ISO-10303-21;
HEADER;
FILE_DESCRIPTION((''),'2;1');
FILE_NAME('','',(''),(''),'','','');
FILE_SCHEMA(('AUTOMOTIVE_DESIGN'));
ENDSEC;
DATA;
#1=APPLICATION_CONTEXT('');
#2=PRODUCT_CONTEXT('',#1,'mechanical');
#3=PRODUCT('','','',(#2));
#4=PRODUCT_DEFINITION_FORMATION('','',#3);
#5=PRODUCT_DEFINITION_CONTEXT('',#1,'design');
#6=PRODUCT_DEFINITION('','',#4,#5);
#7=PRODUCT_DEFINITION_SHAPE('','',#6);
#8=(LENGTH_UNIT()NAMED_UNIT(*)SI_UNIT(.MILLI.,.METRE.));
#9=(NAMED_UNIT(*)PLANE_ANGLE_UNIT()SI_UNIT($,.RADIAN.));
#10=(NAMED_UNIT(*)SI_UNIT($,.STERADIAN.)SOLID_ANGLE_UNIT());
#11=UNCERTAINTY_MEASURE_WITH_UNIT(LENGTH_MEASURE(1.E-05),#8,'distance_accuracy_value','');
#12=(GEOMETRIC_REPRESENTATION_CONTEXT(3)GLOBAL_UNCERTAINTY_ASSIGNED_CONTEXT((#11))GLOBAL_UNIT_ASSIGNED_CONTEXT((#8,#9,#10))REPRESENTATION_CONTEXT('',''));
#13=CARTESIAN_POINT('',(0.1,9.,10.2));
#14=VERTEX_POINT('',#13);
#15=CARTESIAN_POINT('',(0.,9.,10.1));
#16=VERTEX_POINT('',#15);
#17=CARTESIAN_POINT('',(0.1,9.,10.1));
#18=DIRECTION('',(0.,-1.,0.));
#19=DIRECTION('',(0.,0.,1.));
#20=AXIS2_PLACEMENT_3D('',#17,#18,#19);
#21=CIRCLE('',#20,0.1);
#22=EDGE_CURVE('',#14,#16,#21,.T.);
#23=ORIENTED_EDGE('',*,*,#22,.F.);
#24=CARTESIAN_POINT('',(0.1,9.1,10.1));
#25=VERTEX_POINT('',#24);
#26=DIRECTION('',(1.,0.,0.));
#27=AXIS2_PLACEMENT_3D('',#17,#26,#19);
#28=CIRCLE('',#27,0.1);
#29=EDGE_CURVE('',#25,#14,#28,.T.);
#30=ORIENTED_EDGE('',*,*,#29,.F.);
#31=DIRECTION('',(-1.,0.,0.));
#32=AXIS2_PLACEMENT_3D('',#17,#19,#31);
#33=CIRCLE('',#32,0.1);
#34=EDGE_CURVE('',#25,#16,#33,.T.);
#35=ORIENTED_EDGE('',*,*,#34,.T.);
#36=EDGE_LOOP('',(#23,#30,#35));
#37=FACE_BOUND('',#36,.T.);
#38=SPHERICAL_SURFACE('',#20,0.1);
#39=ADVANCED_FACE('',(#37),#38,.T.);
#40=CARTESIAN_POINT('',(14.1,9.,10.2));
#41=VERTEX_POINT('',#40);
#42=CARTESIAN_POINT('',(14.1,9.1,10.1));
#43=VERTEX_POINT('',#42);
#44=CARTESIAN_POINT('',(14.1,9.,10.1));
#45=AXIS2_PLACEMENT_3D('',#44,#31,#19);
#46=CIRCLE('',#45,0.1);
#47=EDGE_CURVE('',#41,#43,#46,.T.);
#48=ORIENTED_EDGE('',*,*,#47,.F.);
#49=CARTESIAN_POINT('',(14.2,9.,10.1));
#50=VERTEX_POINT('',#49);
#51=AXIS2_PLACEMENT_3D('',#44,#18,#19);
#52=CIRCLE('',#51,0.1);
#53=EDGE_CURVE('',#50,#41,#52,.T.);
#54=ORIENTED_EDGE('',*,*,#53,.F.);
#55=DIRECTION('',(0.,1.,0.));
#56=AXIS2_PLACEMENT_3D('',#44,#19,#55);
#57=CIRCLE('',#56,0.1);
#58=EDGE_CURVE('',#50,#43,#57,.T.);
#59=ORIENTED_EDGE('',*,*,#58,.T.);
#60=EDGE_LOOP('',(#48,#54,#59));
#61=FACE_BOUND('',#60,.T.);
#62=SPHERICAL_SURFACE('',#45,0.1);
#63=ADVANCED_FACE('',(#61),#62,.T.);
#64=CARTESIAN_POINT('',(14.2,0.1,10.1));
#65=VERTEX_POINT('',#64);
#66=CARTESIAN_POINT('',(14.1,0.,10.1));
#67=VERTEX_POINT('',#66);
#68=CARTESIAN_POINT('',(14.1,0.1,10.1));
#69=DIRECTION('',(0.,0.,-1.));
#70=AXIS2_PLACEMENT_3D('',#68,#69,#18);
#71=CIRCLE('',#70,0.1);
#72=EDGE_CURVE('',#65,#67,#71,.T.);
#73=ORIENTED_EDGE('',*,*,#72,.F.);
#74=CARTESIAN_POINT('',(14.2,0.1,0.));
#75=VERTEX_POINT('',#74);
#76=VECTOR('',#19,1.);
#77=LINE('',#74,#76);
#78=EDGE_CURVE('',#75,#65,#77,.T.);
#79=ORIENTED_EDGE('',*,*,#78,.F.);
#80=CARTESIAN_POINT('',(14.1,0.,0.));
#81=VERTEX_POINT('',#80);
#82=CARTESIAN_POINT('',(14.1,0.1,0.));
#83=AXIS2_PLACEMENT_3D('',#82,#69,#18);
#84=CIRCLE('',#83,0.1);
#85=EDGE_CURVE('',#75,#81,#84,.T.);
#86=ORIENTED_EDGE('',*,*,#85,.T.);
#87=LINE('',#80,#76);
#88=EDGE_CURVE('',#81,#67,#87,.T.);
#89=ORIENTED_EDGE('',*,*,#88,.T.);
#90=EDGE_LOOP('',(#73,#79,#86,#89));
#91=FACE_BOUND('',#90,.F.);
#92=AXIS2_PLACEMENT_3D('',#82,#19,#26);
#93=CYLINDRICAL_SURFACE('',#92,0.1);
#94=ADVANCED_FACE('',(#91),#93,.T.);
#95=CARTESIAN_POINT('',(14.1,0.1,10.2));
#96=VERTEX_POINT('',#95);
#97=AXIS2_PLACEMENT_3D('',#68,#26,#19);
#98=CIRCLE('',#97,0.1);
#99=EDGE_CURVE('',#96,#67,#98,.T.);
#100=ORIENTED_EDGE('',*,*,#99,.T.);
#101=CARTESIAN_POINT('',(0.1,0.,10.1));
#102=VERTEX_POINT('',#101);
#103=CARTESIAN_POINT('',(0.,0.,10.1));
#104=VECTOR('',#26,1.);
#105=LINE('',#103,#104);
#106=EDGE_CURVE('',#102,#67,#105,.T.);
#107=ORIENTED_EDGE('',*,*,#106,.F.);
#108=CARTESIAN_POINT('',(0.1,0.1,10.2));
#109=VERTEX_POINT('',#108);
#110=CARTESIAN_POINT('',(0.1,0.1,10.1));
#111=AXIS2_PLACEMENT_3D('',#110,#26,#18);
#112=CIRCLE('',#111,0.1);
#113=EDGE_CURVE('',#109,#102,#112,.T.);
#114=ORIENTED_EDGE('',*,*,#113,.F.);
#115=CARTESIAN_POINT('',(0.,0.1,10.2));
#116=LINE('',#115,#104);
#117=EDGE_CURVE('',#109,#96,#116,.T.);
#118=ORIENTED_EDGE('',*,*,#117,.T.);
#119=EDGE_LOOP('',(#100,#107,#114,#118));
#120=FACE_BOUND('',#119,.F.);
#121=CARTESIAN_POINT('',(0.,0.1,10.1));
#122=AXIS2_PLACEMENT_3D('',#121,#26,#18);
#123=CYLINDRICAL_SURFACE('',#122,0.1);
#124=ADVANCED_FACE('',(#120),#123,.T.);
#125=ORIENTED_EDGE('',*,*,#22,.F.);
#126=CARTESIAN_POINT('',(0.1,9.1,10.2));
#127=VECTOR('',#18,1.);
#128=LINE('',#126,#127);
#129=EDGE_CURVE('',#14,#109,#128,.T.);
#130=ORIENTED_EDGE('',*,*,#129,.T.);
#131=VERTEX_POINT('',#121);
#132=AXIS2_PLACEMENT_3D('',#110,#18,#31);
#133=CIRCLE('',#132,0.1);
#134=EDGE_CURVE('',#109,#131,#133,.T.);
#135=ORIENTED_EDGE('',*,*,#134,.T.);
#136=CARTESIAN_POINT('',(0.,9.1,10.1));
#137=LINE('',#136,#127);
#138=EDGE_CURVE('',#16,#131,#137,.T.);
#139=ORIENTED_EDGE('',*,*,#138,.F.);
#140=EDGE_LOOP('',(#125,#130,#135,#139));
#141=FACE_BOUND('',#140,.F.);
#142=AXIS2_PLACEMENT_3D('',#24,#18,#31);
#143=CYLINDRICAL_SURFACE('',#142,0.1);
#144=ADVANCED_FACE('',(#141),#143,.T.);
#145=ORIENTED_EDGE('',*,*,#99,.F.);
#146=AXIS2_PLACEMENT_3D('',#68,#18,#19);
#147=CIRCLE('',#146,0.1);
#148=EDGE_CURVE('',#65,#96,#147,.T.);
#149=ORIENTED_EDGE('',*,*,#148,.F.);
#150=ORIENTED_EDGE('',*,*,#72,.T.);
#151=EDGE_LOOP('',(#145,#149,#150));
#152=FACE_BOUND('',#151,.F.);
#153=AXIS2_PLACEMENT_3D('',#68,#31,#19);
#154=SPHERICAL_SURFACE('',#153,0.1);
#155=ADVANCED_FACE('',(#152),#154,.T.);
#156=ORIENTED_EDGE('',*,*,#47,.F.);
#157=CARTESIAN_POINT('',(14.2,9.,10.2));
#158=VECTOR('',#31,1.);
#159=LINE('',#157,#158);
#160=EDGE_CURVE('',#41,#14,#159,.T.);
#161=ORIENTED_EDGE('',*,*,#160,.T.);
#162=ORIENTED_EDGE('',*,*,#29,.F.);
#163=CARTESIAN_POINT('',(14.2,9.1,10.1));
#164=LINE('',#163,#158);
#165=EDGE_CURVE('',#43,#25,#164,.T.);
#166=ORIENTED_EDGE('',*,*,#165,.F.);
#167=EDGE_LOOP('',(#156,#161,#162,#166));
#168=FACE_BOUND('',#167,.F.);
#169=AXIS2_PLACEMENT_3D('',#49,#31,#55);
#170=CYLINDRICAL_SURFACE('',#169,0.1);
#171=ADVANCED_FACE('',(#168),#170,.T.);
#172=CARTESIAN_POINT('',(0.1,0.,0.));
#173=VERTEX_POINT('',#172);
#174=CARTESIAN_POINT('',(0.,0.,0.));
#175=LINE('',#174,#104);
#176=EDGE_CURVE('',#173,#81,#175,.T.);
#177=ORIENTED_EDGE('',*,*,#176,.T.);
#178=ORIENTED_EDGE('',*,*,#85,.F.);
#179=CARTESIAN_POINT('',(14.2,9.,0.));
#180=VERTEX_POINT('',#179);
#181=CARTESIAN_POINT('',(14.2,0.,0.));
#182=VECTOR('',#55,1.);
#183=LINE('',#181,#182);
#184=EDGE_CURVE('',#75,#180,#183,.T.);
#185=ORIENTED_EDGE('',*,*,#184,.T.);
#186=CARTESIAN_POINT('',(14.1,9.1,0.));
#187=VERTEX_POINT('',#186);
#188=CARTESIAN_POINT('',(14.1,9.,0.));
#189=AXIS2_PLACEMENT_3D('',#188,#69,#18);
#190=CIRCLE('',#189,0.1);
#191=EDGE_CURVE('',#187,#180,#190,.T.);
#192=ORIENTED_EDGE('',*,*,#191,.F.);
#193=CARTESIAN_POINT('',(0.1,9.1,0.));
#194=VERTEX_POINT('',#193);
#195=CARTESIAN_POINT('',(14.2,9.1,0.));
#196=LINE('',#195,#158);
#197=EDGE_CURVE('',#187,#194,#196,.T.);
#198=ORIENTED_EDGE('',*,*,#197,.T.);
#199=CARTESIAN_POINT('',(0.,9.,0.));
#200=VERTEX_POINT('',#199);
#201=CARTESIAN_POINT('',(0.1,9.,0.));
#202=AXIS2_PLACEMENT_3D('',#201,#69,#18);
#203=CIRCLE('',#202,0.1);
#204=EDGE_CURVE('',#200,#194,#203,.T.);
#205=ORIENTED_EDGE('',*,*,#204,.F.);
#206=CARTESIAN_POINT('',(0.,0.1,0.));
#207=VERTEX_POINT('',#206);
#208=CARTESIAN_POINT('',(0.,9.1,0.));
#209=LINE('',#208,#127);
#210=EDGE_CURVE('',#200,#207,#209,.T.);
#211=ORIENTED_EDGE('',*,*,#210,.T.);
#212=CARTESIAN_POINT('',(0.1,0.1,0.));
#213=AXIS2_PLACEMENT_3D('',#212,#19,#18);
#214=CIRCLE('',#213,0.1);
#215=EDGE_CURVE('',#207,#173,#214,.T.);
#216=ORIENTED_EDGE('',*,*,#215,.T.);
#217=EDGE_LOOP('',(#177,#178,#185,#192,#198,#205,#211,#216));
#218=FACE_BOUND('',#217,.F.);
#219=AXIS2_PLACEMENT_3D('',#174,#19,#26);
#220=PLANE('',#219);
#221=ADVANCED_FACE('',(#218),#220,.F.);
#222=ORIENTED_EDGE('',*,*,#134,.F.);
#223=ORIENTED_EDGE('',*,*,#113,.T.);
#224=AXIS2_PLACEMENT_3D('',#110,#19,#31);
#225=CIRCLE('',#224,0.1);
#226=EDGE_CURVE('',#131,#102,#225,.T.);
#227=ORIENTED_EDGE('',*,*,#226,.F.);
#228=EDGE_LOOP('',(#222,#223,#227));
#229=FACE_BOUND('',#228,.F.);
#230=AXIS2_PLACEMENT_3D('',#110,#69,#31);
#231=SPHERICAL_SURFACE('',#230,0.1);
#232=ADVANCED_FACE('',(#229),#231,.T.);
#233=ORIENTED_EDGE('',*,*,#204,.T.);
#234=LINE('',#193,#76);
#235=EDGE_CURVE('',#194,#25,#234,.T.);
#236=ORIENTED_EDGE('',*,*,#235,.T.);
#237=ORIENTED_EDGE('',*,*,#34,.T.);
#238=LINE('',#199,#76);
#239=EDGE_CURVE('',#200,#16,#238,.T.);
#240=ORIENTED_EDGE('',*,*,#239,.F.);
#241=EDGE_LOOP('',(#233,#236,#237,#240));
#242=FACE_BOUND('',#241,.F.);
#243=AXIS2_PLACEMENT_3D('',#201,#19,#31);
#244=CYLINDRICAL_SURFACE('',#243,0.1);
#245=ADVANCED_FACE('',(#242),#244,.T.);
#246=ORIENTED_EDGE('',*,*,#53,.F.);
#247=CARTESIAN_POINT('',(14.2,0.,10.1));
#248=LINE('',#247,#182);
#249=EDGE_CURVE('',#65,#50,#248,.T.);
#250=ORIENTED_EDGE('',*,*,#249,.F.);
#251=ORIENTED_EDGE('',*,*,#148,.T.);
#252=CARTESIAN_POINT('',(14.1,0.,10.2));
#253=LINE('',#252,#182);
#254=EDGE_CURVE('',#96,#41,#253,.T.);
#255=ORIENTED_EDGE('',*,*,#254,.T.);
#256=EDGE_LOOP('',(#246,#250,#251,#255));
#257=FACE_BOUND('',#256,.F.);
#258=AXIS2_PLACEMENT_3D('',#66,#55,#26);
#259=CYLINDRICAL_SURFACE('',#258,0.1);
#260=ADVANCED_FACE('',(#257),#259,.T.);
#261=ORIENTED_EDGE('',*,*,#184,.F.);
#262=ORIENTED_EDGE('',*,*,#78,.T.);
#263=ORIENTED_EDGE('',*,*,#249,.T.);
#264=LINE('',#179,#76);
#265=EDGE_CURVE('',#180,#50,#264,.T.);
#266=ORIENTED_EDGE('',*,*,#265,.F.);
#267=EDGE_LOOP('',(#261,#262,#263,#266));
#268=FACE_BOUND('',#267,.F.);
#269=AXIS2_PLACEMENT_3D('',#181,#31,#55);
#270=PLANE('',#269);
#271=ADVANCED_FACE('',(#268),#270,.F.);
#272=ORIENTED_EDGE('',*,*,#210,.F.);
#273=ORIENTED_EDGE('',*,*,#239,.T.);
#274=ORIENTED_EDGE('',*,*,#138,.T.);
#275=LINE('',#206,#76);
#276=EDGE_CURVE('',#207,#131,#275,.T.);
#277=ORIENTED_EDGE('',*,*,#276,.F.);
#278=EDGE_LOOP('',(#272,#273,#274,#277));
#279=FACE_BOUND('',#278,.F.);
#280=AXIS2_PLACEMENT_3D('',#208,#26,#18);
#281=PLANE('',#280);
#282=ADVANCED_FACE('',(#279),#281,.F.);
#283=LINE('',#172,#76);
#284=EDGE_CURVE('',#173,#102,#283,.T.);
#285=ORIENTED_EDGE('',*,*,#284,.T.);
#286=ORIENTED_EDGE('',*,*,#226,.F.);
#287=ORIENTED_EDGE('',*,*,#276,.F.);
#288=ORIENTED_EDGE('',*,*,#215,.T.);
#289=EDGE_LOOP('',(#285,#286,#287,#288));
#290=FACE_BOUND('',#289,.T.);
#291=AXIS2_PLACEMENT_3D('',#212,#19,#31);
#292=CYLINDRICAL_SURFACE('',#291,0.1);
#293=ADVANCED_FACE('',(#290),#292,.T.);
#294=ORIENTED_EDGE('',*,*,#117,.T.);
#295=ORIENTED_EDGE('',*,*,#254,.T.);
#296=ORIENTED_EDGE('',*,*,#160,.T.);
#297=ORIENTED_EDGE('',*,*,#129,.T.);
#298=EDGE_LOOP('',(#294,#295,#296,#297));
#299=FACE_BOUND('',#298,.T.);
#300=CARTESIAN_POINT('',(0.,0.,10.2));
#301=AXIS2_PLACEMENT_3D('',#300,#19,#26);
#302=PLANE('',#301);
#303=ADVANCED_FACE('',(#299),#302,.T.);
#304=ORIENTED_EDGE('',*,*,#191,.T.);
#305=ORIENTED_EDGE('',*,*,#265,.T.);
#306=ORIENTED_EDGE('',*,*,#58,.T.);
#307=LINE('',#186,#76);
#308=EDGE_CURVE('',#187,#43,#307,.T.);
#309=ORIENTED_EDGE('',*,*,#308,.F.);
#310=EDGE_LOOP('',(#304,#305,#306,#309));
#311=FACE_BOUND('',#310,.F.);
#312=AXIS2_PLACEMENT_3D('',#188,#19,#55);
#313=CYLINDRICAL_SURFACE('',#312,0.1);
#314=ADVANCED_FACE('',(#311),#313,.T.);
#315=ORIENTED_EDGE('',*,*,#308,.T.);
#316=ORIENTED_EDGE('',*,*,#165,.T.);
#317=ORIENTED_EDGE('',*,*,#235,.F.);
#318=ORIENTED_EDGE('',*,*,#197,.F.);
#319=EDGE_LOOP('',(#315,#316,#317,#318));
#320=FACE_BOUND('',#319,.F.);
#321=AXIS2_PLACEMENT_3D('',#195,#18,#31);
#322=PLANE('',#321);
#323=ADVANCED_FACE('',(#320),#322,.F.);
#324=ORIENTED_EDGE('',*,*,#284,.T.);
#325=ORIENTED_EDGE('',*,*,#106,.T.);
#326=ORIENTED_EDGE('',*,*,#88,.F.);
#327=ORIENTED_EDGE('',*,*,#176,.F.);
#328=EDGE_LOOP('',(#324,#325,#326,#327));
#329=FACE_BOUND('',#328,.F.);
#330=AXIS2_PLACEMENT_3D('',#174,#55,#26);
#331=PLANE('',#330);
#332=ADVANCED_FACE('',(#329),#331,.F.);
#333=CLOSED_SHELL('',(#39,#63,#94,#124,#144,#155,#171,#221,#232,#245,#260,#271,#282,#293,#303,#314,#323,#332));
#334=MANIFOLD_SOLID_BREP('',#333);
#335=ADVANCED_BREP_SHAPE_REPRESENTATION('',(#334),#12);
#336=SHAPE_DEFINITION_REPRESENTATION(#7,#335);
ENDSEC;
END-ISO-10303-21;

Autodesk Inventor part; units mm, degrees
ref_plane "YZ Plane" through (0, 0, 0) normal (1, 0, 0) x (0, 1, 0)
ref_plane "XZ Plane" through (0, 0, 0) normal (0, 1, 0) x (-1, 0, 0)
ref_plane "XY Plane" through (0, 0, 0) normal (0, 0, 1) x (1, 0, 0)
sketch "Skizze1" plane through (0, 0, 0) normal (0, 0, 1) x (1, 0, 0)
  line L0 (0, 0) -> (14.2, 0)
  line L1 (14.2, 0) -> (14.2, 9.1)
  line L2 (14.2, 9.1) -> (0, 9.1)
  line L3 (0, 9.1) -> (0, 0)
  dimension "d2" = 14.2
  dimension "d3" = 9.1
extrude "Extrusion1" add sketch "Skizze1" along normal blind 10.2
fillet "Rundung1" radius 0.1 8 edges at (0, 0, 5.1) (0, 4.55, 10.2) (7.1, 9.1, 10.2) (7.1, 0, 10.2) (14.2, 4.55, 10.2) (14.2, 0, 5.1) (14.2, 9.1, 5.1) (0, 9.1, 5.1)
properties part number "TDN-5_0911"
